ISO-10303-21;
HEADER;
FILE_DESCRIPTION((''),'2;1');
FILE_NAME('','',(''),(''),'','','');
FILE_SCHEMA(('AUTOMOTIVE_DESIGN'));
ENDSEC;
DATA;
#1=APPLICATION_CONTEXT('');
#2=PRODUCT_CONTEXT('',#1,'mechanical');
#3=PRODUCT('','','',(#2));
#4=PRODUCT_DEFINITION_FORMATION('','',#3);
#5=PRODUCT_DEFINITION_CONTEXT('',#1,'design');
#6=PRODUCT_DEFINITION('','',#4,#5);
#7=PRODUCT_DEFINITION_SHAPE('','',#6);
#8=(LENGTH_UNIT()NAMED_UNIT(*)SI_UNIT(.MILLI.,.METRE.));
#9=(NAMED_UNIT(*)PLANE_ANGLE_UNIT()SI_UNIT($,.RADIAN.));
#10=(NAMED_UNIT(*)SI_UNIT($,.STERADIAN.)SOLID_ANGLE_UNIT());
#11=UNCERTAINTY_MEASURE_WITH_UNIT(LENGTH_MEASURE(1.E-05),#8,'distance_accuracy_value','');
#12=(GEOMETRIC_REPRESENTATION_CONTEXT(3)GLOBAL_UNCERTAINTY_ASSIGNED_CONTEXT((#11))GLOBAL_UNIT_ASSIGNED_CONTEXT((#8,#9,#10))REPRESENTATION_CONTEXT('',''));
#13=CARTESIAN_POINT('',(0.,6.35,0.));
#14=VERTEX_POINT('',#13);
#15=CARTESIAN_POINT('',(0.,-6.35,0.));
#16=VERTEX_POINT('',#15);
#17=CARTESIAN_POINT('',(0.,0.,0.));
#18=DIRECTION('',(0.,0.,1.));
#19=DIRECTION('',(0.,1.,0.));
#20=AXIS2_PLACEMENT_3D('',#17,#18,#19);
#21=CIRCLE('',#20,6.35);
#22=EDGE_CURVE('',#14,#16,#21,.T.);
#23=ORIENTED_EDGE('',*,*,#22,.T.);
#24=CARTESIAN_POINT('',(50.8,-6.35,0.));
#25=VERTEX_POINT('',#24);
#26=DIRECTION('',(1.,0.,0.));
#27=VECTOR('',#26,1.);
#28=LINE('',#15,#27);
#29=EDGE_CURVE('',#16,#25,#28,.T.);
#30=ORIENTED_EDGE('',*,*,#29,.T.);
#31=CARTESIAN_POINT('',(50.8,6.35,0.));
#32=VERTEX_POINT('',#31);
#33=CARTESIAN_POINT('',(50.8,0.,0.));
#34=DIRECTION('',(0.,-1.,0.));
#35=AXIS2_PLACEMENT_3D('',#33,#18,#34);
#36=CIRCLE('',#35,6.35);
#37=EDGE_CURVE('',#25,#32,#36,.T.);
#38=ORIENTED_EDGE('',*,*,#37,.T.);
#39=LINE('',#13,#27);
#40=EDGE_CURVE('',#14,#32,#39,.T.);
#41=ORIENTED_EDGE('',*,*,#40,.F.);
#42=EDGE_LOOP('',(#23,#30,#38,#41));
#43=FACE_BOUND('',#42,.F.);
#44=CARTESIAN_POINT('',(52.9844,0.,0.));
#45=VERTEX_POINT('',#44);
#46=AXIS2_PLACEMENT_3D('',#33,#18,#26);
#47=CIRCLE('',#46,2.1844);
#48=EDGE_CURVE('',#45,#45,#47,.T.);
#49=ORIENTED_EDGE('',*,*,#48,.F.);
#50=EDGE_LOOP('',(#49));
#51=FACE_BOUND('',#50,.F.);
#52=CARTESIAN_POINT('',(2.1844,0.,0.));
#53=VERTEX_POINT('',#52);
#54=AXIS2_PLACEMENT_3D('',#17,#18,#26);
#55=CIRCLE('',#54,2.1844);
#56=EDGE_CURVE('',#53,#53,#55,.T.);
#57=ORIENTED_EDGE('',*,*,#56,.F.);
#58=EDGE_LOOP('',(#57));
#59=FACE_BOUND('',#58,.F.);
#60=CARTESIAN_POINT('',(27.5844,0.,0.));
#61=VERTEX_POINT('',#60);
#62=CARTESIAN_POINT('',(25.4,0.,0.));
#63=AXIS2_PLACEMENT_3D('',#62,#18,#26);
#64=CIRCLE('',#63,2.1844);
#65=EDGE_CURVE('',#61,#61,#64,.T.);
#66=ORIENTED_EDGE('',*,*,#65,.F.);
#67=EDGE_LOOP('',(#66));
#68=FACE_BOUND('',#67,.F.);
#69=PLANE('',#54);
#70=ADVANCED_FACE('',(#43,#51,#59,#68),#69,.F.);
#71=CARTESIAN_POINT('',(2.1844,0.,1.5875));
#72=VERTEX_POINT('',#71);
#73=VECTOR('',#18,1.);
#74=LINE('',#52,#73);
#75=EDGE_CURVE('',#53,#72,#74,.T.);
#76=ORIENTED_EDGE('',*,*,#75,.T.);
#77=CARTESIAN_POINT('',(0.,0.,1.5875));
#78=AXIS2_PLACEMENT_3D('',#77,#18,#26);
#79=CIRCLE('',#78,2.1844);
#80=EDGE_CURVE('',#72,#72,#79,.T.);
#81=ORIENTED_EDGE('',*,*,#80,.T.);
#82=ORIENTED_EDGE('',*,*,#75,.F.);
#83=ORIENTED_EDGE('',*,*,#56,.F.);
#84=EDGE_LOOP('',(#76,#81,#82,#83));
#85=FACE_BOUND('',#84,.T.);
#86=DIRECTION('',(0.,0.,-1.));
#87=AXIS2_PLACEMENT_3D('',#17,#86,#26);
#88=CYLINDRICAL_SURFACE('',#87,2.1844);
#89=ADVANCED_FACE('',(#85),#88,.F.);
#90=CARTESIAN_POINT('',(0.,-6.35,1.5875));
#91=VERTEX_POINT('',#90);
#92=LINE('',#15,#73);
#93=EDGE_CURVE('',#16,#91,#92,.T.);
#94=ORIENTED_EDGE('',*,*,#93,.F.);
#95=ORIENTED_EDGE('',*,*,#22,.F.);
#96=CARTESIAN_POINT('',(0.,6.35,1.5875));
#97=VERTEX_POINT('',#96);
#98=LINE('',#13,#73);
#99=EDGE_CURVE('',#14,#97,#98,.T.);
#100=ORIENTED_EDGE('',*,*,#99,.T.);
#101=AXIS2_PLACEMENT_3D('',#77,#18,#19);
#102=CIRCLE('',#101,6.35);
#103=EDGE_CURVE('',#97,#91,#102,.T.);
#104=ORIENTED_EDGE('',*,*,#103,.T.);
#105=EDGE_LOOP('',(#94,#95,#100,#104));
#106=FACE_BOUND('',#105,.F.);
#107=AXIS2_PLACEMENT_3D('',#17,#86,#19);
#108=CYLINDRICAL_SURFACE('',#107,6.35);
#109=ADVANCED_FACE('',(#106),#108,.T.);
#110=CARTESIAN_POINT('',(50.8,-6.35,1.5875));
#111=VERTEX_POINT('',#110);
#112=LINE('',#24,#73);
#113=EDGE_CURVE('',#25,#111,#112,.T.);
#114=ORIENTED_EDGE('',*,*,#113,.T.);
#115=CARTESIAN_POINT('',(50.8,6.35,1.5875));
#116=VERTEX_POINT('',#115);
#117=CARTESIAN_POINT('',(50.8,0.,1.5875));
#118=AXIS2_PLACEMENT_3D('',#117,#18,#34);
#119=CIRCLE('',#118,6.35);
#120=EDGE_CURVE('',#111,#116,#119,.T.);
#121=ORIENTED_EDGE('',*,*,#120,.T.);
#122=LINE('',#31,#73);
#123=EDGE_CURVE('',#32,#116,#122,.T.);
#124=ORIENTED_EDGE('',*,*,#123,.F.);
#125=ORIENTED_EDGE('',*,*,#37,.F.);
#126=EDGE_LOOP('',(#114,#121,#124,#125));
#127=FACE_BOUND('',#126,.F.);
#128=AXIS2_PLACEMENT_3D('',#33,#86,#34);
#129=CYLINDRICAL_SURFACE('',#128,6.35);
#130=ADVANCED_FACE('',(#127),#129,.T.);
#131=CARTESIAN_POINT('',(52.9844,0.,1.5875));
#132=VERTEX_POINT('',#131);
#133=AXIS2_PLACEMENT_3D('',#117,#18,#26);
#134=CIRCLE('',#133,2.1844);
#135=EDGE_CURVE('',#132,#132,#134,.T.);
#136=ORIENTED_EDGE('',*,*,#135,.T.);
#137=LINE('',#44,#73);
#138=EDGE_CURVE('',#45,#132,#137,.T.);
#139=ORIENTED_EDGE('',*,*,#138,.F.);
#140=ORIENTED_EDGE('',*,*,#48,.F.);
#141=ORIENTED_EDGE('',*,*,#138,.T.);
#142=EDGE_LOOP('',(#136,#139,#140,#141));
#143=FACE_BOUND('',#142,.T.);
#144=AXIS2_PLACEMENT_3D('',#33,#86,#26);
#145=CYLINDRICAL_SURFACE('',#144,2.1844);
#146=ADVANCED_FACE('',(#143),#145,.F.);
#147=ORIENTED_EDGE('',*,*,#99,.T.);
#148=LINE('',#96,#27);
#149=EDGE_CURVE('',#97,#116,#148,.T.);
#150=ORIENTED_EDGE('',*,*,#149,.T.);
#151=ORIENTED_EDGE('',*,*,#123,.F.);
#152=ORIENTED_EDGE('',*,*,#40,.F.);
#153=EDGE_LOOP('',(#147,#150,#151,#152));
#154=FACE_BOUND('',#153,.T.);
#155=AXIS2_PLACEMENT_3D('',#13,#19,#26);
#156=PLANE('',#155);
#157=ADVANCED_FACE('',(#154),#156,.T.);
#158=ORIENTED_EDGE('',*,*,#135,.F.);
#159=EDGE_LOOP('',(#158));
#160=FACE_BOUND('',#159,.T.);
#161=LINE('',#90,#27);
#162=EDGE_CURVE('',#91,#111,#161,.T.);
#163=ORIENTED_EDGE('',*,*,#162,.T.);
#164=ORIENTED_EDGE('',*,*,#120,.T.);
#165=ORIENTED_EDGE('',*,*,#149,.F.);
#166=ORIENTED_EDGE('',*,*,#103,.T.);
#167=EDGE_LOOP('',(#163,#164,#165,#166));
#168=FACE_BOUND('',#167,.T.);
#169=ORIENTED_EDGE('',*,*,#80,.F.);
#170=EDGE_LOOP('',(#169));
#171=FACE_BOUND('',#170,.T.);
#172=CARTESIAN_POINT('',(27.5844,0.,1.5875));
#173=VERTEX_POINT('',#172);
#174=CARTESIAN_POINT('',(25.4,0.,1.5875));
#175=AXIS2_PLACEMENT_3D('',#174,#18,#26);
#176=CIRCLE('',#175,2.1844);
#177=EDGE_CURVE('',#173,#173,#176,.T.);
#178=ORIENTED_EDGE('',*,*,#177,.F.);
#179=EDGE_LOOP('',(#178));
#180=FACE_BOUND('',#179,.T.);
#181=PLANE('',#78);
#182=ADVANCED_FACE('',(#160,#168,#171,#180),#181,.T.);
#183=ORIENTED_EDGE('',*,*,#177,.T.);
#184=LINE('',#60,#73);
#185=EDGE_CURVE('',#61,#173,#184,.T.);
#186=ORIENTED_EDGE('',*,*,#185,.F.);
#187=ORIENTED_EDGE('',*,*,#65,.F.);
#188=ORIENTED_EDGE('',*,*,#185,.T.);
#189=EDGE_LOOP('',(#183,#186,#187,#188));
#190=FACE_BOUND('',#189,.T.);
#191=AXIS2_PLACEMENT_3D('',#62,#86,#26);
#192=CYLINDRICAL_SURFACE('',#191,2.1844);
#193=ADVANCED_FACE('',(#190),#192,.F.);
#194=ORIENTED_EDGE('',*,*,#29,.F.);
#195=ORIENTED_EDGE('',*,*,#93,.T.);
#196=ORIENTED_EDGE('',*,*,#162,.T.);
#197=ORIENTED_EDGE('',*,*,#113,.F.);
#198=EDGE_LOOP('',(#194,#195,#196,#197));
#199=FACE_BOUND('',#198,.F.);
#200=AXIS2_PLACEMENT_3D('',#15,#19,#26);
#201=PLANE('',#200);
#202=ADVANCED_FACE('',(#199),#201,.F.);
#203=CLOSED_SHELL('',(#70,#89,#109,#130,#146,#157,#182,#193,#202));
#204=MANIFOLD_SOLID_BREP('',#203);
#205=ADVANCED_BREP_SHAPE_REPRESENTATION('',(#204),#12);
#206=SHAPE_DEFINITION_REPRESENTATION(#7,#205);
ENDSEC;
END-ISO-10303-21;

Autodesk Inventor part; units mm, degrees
ref_plane "YZ Plane" through (0, 0, 0) normal (1, 0, 0) x (0, 1, 0)
ref_plane "XZ Plane" through (0, 0, 0) normal (0, 1, 0) x (-1, 0, 0)
ref_plane "XY Plane" through (0, 0, 0) normal (0, 0, 1) x (1, 0, 0)
sketch "Sketch1" plane through (0, 0, 0) normal (0, 0, 1) x (1, 0, 0)
  circle A0 centre (0, 0) radius 2.1844
  circle A1 centre (25.4, 0) radius 2.1844
  circle A2 centre (50.8, 0) radius 2.1844
  line L0 (0, 6.35) -> (50.8, 6.35)
  line L1 (0, -6.35) -> (50.8, -6.35)
  arc A3 (0, 6.35) -> (0, -6.35) centre (0, 0) ccw
  arc A4 (50.8, -6.35) -> (50.8, 6.35) centre (50.8, 0) ccw
  dimension "d0" = 4.3688
  dimension "d1" = 4.3688
  dimension "d2" = 25.4
  dimension "d3" = 4.3688
  dimension "d4" = 25.4
extrude "Extrusion1" add sketch "Sketch1" along normal blind 1.5875
properties part number "gearbox bracket"
